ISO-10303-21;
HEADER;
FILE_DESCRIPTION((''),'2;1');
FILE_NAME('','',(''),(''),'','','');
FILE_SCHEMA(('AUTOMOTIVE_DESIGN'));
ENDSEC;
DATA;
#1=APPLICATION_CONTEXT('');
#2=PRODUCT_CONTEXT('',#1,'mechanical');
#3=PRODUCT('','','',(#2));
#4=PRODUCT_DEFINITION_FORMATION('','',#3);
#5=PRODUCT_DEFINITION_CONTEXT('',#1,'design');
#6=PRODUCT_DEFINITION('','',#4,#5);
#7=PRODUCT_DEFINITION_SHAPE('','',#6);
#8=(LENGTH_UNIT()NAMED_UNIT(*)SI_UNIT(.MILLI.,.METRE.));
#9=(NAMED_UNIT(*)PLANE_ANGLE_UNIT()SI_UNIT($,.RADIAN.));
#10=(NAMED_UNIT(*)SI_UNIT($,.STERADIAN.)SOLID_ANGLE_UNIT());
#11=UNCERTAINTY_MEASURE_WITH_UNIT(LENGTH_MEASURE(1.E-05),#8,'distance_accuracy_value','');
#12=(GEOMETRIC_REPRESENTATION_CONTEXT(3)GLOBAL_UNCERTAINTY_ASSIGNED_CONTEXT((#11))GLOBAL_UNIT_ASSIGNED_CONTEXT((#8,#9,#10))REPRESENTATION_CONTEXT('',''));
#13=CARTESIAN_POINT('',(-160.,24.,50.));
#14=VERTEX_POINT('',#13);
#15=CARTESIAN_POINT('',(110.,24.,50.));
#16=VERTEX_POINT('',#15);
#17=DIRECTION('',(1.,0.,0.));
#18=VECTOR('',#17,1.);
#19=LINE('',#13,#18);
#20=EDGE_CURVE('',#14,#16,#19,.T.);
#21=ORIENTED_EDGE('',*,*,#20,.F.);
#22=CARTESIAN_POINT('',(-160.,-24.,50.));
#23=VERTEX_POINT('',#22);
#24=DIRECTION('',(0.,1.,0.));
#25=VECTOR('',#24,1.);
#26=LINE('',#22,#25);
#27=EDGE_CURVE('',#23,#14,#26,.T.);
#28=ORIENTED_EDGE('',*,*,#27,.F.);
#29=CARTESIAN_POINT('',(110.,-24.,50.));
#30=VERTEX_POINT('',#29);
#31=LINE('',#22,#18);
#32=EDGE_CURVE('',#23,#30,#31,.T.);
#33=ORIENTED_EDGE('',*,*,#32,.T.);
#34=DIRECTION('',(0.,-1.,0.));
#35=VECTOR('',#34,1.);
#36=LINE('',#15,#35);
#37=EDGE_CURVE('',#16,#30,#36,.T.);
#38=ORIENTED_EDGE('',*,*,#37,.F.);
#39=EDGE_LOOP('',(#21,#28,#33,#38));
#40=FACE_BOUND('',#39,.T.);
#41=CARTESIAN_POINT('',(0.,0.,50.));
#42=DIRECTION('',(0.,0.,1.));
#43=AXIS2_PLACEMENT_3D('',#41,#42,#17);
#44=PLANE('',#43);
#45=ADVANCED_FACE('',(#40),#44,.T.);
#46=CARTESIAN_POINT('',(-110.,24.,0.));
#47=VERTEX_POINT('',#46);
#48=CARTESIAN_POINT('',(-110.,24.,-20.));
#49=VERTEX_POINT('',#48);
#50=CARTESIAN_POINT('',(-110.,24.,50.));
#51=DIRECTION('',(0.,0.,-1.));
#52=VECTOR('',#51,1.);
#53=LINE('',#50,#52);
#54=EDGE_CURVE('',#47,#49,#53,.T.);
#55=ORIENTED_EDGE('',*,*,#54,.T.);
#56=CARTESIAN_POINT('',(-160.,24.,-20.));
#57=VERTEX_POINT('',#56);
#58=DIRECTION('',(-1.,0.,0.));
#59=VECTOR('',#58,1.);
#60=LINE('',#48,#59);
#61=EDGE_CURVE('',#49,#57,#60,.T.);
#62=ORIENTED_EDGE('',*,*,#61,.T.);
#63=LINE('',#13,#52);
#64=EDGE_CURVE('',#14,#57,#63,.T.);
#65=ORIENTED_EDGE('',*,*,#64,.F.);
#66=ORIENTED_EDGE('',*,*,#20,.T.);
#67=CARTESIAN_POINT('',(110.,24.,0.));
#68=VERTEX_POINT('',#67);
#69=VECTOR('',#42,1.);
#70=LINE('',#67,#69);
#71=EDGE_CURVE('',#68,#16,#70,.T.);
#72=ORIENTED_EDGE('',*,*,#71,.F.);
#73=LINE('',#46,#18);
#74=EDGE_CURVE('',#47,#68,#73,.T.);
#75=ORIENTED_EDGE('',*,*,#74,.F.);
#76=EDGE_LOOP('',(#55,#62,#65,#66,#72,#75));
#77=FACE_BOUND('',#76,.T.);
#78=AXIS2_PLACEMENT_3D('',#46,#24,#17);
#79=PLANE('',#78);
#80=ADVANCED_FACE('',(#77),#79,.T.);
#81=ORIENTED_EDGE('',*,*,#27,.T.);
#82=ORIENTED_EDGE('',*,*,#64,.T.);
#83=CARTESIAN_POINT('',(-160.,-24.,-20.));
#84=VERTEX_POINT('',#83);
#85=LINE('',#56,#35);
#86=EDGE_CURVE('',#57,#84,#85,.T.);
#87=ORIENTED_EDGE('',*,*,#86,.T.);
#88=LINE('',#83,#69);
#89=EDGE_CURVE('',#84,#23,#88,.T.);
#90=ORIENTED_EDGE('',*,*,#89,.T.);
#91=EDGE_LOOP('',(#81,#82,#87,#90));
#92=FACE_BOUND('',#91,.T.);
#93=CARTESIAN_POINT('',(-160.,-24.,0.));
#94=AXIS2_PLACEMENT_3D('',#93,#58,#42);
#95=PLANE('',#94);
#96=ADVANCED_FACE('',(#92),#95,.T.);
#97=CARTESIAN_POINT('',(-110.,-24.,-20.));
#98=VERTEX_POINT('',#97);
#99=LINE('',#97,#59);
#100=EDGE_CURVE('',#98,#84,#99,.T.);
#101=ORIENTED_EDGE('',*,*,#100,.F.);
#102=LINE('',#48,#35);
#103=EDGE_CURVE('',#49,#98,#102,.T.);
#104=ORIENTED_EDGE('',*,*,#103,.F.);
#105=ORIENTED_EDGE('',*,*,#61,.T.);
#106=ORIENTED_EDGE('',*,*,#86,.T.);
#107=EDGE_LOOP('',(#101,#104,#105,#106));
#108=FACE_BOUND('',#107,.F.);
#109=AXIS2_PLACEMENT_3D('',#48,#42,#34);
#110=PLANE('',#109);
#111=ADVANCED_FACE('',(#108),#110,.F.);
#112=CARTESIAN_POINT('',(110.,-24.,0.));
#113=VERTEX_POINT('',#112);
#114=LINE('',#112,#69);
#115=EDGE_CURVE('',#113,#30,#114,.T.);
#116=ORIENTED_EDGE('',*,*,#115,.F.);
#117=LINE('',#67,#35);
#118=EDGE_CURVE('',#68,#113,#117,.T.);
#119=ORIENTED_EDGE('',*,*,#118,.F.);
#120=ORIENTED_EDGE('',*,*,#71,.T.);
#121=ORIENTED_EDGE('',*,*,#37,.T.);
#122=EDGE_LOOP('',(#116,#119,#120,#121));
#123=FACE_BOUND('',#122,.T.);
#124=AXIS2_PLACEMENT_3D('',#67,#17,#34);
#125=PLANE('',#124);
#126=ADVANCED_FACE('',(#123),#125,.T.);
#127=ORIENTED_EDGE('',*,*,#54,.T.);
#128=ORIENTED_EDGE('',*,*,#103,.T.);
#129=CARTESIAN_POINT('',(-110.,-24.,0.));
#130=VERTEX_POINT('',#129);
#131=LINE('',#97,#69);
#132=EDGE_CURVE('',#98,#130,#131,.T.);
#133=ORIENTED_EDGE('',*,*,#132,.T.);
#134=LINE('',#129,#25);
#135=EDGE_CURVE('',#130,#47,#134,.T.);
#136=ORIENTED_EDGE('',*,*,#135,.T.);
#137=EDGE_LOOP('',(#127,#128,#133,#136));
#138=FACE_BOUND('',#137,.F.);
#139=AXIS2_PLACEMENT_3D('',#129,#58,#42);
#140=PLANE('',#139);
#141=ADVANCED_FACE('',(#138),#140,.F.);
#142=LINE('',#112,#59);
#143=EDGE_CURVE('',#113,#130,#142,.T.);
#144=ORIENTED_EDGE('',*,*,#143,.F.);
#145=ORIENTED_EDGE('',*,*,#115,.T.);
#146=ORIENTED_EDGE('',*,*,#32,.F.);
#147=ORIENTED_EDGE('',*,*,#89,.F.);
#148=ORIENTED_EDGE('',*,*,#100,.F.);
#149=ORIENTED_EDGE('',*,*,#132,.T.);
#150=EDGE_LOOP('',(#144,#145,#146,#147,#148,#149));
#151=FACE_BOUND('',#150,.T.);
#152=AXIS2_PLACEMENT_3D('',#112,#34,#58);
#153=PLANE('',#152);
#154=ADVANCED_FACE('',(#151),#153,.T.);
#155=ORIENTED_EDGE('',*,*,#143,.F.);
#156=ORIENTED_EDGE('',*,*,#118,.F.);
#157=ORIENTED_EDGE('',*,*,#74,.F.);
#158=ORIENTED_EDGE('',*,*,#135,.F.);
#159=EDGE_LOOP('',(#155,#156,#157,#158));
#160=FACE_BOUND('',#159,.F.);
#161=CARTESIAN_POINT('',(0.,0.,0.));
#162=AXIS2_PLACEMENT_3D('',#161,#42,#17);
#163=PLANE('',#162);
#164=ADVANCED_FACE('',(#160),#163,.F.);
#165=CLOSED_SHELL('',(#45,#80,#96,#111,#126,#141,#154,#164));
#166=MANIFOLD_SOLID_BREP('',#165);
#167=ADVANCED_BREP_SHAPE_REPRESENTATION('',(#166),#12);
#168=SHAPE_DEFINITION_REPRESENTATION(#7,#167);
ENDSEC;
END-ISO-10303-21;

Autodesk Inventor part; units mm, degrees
ref_plane "YZ Plane" through (0, 0, 0) normal (1, 0, 0) x (0, 1, 0)
ref_plane "XZ Plane" through (0, 0, 0) normal (0, 1, 0) x (-1, 0, 0)
ref_plane "XY Plane" through (0, 0, 0) normal (0, 0, 1) x (1, 0, 0)
sketch "Esboço1" plane through (0, 0, 0) normal (0, 0, 1) x (1, 0, 0)
  line L0 (-110, 24) -> (110, 24)
  line L1 (110, 24) -> (110, -24)
  line L2 (110, -24) -> (-110, -24)
  line L3 (-110, -24) -> (-110, 24)
  line L4 (-110, 24) -> (110, -24) construction
  line L5 (110, 24) -> (-110, -24) construction
  point P0 (0, 0)
  dimension "d0" = 220
  dimension "d1" = 48
extrude "Extrusão1" add sketch "Esboço1" along normal blind 50
sketch "Esboço2" plane through (-110, -24, 0) normal (-1, 0, 0) x (0, 0, 1)
  line L0 (50, 48) -> (50, 0) construction
  line L1 (0, 48) -> (50, 48) construction
  line L2 (50, 48) -> (50, 0) construction
  line L3 (50, 0) -> (0, 0) construction
  line L4 (0, 0) -> (0, 48) construction
  line L5 (0, 48) -> (50, 0) construction
  line L6 (50, 48) -> (0, 0) construction
  line L7 (0, 48) -> (-20, 48) construction
  line L8 (-20, 48) -> (-20, 0) construction
  line L9 (-20, 0) -> (0, 0) construction
  line L10 (-20, 24) -> (15, 24) construction
  line L11 (50, 48) -> (-20, 48)
  line L12 (-20, 48) -> (-20, 0)
  line L13 (-20, 0) -> (50, 0)
  line L14 (50, 0) -> (50, 48)
  line L15 (50, 48) -> (-20, 0) construction
  line L16 (-20, 48) -> (50, 0) construction
  point P0 (0, 24)
  point P1 (25, 24)
  dimension "d4" = 20
  dimension "d5" = 35
extrude "Extrusão2" add sketch "Esboço2" along normal blind 50
properties part number "ventilador_tangencial_referencia" material "Aço"
